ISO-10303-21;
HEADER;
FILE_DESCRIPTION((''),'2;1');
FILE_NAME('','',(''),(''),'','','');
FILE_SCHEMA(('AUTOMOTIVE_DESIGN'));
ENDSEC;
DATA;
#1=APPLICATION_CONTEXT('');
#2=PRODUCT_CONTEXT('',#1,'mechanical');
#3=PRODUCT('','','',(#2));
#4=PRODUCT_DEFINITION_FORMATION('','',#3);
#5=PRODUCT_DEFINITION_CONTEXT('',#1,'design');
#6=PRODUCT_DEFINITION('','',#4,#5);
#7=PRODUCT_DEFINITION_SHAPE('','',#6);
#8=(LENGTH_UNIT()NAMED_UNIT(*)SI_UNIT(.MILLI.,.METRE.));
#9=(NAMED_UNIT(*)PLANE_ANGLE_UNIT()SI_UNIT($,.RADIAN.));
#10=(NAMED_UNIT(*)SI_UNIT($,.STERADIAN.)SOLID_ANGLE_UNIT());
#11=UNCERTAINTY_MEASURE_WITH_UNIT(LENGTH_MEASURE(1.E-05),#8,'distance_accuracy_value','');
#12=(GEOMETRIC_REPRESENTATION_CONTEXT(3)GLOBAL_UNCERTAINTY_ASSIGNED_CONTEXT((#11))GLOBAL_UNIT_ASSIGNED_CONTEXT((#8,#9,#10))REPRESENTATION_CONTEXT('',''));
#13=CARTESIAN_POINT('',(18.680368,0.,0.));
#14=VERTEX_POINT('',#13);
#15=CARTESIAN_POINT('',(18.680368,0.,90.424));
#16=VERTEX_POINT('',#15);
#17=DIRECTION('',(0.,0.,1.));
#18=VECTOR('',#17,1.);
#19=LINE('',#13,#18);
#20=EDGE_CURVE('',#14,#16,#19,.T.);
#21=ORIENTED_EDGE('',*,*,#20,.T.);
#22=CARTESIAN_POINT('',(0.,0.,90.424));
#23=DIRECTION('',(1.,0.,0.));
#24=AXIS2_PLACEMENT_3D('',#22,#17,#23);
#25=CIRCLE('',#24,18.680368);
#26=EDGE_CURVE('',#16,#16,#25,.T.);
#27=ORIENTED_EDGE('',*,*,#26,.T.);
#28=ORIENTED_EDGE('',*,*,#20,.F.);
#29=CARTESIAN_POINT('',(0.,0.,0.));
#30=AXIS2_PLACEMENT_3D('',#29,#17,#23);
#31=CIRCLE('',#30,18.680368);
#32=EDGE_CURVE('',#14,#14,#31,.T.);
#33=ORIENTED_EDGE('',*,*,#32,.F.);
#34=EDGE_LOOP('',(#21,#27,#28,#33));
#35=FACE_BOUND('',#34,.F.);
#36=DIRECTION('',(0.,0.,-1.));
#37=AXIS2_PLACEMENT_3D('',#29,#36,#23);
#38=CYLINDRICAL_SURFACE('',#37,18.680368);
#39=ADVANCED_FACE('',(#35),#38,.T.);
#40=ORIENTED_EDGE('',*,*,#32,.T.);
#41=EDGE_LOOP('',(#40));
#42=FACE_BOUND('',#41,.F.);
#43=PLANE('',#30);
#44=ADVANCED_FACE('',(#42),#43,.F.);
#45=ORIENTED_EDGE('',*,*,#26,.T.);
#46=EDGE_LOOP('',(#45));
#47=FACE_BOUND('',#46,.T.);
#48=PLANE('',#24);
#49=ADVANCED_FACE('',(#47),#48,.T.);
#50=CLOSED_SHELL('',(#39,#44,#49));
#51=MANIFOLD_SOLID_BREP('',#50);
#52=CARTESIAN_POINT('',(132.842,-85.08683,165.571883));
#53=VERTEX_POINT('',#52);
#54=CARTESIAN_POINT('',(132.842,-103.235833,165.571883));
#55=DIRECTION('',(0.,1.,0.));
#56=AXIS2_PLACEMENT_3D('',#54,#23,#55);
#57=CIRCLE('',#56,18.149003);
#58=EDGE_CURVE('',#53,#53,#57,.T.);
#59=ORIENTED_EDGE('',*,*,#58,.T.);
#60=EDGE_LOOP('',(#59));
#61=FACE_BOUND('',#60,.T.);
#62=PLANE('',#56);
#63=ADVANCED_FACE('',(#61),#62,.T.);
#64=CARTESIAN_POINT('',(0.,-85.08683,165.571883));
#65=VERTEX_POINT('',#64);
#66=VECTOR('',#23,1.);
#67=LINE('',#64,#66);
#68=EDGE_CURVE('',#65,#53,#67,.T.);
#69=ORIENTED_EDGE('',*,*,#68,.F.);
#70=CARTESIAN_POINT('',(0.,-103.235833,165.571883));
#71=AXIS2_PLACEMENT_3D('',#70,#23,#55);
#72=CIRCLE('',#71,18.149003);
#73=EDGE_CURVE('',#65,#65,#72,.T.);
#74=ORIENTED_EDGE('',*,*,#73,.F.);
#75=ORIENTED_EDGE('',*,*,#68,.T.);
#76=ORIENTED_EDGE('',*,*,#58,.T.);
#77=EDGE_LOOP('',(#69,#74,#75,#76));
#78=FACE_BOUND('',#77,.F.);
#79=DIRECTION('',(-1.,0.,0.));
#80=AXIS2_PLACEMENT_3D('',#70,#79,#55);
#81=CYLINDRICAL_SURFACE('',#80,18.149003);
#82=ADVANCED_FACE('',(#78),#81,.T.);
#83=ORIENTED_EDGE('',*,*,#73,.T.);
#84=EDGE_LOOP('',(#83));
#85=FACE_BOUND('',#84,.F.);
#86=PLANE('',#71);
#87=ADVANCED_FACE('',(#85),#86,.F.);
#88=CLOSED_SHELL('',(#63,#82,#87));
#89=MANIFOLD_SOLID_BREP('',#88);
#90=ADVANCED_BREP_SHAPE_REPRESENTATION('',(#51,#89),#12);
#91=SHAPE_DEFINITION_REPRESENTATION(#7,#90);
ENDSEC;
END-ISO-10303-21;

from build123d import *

# Parameters (mm, degrees)
F0_R     = 18.680368
F1_DEPTH = 90.424
F2_R     = 18.149003
F3_DEPTH = 132.842


with BuildPart() as f1:
    # F0 (on Top) → F1 (new body)
    with BuildSketch(Plane.XY):
        Circle(F0_R)
    extrude(amount=F1_DEPTH)


with BuildPart() as f3:
    # F2 (on Right) → F3 (new body)
    with BuildSketch(Plane.YZ):
        with Locations((-103.235833, 165.571883)):
            Circle(F2_R)
    extrude(amount=F3_DEPTH)


solid = Compound([f1.part, f3.part])
